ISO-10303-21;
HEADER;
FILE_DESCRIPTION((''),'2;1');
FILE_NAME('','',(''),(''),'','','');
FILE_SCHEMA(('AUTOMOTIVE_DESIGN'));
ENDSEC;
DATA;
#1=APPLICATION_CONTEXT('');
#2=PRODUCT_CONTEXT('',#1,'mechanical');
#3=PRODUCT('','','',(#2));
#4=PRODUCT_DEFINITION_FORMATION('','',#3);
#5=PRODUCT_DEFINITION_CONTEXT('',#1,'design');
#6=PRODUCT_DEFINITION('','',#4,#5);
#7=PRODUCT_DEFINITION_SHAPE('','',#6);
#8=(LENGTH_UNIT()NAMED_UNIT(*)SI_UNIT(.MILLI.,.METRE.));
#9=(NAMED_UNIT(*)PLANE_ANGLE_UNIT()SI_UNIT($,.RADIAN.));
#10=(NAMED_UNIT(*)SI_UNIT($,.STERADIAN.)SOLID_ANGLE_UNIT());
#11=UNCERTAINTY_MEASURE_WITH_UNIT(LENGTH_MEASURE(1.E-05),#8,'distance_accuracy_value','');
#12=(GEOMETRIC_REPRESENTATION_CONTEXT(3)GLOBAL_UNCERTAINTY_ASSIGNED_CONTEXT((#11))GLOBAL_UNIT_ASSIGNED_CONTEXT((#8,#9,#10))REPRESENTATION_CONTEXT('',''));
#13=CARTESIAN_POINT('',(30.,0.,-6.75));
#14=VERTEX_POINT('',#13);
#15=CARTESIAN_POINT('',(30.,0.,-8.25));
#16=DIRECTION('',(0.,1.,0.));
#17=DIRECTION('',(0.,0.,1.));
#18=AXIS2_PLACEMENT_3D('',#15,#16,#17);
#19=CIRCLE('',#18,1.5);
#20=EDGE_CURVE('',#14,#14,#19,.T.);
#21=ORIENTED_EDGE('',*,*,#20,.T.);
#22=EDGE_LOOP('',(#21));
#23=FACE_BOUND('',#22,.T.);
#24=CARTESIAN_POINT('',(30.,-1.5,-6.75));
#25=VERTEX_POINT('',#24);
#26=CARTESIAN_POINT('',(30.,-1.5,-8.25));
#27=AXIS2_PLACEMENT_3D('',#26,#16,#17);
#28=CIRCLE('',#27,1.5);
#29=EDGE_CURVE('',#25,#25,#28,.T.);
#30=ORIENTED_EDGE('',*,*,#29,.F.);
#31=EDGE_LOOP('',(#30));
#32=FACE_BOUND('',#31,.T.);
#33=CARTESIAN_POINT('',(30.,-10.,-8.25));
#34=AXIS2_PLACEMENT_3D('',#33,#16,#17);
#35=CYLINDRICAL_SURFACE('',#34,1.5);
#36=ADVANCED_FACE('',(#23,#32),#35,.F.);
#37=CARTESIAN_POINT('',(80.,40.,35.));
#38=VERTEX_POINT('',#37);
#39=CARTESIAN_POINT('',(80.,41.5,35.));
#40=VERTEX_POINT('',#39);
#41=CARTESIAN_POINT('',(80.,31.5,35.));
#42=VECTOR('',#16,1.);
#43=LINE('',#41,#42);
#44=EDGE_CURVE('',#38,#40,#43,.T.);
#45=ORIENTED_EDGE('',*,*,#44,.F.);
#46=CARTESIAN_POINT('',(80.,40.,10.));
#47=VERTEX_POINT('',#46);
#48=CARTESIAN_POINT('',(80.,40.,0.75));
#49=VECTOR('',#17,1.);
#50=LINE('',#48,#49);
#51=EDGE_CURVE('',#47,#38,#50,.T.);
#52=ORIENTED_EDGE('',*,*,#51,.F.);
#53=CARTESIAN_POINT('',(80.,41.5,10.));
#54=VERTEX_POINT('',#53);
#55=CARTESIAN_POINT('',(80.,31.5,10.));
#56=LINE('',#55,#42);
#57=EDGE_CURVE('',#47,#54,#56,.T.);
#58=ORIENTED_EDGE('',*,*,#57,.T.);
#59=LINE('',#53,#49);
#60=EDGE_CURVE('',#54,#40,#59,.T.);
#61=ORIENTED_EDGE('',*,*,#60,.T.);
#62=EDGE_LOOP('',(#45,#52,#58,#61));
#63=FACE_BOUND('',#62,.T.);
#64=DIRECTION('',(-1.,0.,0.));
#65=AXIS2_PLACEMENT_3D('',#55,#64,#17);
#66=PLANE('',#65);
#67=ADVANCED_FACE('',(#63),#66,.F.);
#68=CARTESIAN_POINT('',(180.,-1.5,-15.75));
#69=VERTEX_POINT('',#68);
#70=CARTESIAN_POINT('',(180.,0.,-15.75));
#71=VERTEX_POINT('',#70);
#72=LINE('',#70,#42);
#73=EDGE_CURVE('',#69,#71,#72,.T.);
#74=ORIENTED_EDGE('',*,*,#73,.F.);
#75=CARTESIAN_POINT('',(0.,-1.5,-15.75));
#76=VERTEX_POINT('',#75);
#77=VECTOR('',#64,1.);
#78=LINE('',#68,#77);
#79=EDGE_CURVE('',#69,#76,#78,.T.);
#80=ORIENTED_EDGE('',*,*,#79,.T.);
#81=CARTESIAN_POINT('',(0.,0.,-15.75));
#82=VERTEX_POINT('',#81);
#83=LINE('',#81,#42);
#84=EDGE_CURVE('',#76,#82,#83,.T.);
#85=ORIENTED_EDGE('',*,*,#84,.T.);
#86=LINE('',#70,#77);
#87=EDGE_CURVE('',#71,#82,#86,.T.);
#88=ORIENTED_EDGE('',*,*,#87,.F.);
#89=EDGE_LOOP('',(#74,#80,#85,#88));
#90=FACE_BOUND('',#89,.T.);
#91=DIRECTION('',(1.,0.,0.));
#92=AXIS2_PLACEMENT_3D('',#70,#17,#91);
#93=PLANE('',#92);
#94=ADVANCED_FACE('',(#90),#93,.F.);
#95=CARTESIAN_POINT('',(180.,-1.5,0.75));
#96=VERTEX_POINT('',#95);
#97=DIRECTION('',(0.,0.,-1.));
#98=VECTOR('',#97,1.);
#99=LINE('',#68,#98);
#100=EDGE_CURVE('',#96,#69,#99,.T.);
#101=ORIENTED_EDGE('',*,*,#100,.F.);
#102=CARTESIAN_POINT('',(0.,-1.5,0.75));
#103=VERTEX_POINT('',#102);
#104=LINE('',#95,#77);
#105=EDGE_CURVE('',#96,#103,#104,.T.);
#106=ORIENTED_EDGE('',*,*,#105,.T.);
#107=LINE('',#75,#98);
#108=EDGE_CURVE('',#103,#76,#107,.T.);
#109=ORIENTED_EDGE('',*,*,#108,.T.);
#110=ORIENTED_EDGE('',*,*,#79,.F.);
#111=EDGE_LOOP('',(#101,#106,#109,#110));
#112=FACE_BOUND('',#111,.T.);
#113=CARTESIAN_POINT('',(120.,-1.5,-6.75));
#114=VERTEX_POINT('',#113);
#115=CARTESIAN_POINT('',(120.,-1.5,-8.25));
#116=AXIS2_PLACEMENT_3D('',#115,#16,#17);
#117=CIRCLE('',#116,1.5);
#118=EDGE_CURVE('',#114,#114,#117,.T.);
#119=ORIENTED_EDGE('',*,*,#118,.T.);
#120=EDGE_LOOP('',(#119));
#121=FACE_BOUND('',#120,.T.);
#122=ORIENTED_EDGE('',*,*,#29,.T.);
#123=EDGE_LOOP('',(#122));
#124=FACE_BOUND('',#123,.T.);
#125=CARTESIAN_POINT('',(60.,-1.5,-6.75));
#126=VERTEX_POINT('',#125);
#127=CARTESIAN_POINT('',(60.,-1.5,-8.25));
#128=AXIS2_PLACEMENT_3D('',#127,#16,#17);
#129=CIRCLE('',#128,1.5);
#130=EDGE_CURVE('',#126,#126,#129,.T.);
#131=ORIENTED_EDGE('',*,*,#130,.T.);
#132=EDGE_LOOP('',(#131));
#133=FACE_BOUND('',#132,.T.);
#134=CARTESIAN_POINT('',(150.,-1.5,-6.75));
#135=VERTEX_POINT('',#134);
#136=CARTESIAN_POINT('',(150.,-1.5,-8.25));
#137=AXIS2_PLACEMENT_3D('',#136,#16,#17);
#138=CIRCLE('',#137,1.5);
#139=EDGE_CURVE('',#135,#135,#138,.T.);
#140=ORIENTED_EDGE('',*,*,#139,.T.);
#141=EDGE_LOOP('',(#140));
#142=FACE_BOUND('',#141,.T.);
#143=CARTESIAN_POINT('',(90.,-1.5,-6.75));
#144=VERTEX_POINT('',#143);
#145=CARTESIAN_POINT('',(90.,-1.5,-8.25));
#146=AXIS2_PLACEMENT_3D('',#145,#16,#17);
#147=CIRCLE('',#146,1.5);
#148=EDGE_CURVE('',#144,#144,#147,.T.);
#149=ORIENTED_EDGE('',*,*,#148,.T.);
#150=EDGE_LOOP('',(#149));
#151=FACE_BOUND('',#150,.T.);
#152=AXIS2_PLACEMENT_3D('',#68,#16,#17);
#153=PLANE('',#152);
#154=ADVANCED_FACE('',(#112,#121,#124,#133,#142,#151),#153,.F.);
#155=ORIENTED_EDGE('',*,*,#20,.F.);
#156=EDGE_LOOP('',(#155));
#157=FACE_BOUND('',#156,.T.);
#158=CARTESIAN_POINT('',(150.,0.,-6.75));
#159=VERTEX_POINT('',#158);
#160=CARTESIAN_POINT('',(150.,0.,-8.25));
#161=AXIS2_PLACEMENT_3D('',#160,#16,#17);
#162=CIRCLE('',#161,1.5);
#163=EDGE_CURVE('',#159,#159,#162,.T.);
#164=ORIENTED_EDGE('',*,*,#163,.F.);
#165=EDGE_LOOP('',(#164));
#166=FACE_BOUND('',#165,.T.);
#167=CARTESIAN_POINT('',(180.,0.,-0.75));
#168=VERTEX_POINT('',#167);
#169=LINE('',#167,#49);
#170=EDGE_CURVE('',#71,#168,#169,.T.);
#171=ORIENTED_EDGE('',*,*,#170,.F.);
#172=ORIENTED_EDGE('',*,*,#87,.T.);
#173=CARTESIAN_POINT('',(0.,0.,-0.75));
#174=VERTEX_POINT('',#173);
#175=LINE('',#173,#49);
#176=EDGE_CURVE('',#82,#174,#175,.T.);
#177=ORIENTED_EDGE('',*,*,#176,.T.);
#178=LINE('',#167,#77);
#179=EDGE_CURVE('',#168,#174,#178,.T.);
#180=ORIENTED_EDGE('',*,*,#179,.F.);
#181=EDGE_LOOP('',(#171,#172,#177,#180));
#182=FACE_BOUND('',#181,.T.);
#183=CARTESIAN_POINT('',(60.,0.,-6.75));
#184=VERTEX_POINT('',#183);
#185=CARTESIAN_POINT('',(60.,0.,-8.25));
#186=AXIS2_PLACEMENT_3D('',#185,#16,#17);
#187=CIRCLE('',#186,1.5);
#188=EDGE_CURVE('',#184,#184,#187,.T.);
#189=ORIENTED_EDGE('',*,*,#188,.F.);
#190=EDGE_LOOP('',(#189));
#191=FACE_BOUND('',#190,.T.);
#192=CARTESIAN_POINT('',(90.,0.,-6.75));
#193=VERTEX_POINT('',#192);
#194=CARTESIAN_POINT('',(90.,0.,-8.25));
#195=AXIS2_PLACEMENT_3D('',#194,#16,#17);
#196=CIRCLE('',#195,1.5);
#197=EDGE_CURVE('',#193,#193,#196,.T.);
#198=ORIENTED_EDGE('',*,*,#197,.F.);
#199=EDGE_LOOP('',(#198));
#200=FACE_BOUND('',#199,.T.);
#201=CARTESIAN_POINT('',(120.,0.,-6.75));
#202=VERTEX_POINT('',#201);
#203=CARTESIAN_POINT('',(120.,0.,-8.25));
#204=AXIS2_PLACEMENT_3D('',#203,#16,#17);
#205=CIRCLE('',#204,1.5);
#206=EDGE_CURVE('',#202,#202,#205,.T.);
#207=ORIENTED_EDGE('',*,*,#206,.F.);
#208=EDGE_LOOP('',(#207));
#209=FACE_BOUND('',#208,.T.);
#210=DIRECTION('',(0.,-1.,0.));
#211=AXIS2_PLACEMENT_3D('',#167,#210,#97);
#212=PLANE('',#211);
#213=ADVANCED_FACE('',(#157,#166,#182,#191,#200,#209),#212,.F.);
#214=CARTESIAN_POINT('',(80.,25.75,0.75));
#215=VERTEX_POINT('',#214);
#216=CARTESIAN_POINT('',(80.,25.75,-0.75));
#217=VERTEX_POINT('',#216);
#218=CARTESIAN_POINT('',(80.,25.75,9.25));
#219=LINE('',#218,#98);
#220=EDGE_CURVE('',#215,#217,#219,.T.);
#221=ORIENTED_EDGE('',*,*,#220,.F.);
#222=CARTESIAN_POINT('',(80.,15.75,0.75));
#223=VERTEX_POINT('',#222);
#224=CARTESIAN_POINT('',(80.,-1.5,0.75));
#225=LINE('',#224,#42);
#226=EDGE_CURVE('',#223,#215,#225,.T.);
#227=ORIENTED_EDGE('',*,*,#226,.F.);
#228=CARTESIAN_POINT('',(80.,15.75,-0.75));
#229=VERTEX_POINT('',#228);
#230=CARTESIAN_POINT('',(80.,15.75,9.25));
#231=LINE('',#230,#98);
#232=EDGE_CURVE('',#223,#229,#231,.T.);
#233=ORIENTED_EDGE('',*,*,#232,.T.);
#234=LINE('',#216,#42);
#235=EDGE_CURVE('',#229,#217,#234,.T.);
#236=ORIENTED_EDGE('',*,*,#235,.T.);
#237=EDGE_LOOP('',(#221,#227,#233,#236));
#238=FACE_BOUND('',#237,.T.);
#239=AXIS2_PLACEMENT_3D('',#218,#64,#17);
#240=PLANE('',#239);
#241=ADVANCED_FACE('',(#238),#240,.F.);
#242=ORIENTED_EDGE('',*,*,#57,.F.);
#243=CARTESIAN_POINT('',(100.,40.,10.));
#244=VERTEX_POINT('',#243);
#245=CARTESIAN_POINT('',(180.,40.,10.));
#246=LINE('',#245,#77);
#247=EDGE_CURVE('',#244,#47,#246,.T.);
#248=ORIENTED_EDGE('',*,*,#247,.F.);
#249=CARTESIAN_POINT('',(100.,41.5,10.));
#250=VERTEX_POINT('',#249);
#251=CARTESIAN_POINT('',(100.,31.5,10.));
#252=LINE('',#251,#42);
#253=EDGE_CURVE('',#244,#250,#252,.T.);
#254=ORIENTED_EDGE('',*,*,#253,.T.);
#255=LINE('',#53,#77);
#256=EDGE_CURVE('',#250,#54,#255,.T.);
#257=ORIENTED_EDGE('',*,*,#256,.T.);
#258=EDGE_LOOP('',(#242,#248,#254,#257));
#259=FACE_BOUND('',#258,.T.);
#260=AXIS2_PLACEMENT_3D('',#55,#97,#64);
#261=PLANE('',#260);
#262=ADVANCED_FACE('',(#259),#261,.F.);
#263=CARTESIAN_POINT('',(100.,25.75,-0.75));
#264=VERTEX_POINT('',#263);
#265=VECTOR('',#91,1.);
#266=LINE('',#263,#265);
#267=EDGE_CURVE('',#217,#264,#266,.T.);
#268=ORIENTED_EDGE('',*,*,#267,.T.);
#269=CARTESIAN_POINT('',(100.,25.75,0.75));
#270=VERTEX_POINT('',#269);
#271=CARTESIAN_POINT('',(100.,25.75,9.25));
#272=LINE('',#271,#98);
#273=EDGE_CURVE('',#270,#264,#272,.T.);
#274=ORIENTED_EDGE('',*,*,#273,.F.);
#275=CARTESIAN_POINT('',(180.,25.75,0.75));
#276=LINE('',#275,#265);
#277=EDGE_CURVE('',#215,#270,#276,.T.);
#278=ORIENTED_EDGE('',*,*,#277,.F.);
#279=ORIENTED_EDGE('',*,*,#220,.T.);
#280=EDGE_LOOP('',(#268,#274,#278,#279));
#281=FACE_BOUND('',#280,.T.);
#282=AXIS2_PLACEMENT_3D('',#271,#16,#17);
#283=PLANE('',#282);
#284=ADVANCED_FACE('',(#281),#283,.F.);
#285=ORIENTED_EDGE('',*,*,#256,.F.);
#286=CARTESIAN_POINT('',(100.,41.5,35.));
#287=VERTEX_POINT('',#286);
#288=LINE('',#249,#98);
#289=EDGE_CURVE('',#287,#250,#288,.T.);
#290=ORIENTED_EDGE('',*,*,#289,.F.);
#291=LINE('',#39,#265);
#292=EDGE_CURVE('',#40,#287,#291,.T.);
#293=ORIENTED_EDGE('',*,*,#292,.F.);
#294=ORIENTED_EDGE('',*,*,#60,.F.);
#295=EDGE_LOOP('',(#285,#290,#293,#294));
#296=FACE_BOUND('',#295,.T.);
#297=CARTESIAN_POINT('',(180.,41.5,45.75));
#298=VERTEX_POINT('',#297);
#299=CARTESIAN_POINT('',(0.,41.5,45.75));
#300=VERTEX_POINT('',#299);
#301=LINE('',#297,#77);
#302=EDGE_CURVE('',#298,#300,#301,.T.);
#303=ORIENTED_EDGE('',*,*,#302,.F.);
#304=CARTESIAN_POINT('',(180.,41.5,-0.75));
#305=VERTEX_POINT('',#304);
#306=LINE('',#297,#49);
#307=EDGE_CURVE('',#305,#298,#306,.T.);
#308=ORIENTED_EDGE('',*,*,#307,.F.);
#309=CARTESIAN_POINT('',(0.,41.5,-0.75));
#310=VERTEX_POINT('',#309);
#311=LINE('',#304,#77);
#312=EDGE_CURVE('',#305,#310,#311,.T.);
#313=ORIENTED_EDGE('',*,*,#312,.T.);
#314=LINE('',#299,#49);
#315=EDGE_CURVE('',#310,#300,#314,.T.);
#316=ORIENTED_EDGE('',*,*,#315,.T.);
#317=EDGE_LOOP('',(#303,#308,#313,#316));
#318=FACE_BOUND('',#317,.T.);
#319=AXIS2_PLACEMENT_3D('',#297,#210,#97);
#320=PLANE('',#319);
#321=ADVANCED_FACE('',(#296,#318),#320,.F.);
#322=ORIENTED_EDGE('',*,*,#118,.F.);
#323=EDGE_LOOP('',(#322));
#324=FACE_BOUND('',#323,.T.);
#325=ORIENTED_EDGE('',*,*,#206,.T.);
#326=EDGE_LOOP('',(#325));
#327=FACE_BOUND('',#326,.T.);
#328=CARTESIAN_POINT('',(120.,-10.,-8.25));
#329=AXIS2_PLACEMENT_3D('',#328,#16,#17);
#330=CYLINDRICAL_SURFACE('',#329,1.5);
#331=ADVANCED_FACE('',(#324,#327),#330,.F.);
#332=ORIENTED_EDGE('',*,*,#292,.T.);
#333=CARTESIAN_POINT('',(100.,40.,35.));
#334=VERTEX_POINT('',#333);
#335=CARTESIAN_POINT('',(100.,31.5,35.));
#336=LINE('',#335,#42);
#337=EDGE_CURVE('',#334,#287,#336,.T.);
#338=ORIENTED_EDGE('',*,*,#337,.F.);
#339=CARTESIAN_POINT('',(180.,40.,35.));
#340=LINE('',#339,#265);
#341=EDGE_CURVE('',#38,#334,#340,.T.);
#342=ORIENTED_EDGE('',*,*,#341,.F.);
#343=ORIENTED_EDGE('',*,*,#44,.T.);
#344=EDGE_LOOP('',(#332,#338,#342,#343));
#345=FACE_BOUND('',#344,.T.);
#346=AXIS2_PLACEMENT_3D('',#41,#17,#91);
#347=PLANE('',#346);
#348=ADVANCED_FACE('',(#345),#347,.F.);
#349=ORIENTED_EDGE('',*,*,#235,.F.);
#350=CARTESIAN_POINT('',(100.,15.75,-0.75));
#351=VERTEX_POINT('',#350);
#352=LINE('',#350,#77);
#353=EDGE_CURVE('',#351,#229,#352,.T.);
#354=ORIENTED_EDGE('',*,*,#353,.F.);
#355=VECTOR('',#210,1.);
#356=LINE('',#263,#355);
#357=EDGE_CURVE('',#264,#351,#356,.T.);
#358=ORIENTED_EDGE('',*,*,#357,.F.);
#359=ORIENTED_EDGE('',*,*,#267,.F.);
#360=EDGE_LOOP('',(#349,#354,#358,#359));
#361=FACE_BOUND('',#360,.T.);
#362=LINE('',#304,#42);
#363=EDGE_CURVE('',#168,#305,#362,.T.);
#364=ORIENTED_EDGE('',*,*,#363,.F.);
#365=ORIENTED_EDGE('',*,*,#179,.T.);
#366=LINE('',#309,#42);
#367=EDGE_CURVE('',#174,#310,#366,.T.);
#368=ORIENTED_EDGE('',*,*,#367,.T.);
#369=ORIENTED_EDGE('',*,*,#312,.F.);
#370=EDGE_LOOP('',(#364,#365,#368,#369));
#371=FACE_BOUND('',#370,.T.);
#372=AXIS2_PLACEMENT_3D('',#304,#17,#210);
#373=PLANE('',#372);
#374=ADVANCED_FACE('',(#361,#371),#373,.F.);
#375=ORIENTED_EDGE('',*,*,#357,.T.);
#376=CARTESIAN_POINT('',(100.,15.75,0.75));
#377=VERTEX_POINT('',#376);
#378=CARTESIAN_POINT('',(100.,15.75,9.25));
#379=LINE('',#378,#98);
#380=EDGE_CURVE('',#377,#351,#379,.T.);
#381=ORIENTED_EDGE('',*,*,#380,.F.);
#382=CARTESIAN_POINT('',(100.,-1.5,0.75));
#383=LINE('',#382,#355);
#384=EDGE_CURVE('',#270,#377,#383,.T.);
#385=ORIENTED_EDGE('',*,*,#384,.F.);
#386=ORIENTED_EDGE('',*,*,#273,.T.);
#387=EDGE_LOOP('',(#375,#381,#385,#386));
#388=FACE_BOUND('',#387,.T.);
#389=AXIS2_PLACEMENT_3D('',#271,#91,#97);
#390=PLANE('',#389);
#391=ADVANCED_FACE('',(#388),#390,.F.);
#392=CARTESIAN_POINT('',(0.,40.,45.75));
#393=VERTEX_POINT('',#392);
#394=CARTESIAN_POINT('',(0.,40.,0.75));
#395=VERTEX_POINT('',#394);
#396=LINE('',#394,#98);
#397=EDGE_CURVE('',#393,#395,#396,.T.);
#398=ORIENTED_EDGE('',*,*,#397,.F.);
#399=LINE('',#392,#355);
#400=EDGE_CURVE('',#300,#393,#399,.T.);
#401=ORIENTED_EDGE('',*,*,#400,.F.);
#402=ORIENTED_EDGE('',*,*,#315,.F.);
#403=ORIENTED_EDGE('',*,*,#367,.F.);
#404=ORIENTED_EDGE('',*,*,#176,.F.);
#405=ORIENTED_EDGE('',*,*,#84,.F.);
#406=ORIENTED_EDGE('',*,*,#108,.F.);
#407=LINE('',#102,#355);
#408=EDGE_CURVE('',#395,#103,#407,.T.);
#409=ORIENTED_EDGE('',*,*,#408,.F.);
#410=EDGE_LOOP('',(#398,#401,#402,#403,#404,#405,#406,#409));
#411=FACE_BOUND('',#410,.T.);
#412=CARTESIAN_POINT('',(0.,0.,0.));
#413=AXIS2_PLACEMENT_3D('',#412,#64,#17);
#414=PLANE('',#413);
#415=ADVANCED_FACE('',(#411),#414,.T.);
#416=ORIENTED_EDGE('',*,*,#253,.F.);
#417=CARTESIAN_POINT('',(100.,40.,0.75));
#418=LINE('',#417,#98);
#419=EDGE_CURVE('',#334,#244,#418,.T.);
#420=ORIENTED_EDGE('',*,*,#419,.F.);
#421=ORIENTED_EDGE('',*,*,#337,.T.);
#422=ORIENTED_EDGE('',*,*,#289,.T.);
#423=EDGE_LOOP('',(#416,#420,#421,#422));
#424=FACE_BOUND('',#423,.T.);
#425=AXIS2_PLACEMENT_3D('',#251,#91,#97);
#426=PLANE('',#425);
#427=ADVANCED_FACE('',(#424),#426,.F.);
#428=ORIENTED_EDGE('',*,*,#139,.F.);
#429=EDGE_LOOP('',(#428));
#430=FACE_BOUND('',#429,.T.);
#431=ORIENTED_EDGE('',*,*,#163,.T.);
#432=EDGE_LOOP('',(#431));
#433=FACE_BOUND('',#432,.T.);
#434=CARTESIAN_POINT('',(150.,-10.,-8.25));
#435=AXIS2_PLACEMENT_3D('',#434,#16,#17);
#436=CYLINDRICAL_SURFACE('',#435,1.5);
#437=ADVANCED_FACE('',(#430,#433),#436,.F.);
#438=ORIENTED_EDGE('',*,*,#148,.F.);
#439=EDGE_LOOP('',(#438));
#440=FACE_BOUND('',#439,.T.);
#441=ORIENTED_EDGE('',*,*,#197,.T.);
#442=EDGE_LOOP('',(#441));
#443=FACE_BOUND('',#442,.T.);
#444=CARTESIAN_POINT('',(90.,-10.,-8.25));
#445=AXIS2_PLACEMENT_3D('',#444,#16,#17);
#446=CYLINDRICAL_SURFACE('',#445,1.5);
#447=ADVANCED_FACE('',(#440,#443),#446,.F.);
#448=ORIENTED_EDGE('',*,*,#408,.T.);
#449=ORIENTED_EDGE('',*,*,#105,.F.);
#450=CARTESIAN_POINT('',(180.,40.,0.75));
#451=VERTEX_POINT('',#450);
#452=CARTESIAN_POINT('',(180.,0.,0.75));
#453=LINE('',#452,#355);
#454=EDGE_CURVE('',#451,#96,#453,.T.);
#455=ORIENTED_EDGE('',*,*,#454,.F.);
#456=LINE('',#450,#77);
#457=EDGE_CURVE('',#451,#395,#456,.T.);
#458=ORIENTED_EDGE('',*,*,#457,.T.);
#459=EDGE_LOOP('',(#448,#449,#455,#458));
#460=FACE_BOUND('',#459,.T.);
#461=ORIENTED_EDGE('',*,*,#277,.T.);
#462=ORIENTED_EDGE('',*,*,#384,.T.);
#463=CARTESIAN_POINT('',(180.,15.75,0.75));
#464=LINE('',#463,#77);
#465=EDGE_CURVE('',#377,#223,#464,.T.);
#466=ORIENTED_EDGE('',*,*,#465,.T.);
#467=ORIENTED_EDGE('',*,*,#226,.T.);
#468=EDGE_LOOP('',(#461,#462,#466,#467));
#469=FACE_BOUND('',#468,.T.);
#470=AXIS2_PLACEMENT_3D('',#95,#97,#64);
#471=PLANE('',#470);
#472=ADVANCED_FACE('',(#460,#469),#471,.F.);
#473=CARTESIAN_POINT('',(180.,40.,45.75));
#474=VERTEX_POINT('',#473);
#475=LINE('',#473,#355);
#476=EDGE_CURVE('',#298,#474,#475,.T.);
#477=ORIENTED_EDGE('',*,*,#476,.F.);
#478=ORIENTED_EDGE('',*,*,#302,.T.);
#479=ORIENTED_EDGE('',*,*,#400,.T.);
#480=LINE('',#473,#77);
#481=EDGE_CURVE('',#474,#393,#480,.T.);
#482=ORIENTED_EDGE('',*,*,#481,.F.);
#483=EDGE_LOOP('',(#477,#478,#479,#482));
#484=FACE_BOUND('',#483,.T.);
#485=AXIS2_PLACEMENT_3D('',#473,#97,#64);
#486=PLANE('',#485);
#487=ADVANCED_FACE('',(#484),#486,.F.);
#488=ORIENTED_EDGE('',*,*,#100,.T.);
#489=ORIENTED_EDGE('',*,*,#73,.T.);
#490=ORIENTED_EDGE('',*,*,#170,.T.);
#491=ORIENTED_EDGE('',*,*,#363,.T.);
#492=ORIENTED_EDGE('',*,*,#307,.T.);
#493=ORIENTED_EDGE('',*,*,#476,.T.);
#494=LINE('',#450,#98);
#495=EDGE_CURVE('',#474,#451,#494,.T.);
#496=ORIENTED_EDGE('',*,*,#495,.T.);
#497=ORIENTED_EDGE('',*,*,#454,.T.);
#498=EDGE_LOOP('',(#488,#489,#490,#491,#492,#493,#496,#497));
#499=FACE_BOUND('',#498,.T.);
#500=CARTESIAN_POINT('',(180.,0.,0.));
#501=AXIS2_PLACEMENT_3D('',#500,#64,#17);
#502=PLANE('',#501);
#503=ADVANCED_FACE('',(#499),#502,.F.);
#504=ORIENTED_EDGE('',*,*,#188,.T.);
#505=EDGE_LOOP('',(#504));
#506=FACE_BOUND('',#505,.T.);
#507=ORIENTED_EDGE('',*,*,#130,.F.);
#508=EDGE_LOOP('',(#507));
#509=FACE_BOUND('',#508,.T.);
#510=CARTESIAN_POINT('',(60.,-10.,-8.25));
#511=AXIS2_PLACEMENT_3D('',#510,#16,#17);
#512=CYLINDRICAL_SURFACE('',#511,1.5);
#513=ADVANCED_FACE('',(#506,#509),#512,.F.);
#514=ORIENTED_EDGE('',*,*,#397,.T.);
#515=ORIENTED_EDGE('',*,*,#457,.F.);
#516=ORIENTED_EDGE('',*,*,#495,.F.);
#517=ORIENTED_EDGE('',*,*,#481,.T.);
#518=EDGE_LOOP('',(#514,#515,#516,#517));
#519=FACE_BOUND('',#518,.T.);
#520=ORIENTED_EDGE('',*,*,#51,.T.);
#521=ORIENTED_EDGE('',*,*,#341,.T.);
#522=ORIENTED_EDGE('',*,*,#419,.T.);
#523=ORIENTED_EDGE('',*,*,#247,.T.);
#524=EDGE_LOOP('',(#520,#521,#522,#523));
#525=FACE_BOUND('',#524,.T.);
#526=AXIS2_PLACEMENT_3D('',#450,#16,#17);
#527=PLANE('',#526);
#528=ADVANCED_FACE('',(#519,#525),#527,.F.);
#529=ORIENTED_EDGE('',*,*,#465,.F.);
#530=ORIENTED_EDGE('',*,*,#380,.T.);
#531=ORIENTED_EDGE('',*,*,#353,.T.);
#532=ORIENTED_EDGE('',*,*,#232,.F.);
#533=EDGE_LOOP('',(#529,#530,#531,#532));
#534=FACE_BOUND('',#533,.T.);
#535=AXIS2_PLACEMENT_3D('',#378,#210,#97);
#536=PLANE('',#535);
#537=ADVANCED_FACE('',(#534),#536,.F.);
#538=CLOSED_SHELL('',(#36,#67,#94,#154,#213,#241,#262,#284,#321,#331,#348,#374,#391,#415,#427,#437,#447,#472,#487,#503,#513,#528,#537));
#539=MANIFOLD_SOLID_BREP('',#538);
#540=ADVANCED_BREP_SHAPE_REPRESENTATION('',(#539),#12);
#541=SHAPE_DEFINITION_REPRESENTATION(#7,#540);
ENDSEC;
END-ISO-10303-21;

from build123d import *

# Parameters (mm, degrees)
BOSS_EXTRUDE2_DEPTH = 180
SKETCH2_R           = 1.5
CUT_EXTRUDE1_DEPTH  = 10
SKETCH3_W           = 20
SKETCH3_H           = 10
CUT_EXTRUDE2_DEPTH  = 10
SKETCH4_W           = 20
SKETCH4_H           = 25
CUT_EXTRUDE3_DEPTH  = 10


with BuildPart() as part:
    # Sketch1 → Boss-Extrude2 (new body)
    with BuildSketch(Plane(origin=(0, 0, 0), x_dir=(0, 0, -1), z_dir=(1, 0, 0))):
        Polygon((-0.75, 0), (-0.75, 40), (-45.75, 40), (-45.75, 41.5), (0.75, 41.5), (0.75, 0), (15.75, 0), (15.75, -1.5), (-0.75, -1.5), align=None)
    extrude(amount=BOSS_EXTRUDE2_DEPTH)

    # Sketch2 → Cut-Extrude1 (cut)
    with BuildSketch(Plane(origin=(0, 0, 0), x_dir=(1, 0, 0), z_dir=(0, 1, 0))):
        with Locations((120, 8.25)):
            Circle(SKETCH2_R)
        with Locations((90, 8.25)):
            Circle(SKETCH2_R)
        with Locations((150, 8.25)):
            Circle(SKETCH2_R)
        with Locations((60, 8.25)):
            Circle(SKETCH2_R)
        with Locations((30, 8.25)):
            Circle(SKETCH2_R)
    extrude(amount=-CUT_EXTRUDE1_DEPTH, mode=Mode.SUBTRACT)

    # Sketch3 → Cut-Extrude2 (cut)
    with BuildSketch(Plane(origin=(0, 0, -0.75), x_dir=(-1, 0, 0), z_dir=(0, 0, -1))):
        with Locations((-90, 20.75)):
            Rectangle(SKETCH3_W, SKETCH3_H)
    extrude(amount=-CUT_EXTRUDE2_DEPTH, mode=Mode.SUBTRACT)

    # Sketch4 → Cut-Extrude3 (cut)
    with BuildSketch(Plane(origin=(0, 41.5, 0), x_dir=(1, 0, 0), z_dir=(0, 1, 0))):
        with Locations((90, -22.5)):
            Rectangle(SKETCH4_W, SKETCH4_H)
    extrude(amount=-CUT_EXTRUDE3_DEPTH, mode=Mode.SUBTRACT)


solid = part.part
